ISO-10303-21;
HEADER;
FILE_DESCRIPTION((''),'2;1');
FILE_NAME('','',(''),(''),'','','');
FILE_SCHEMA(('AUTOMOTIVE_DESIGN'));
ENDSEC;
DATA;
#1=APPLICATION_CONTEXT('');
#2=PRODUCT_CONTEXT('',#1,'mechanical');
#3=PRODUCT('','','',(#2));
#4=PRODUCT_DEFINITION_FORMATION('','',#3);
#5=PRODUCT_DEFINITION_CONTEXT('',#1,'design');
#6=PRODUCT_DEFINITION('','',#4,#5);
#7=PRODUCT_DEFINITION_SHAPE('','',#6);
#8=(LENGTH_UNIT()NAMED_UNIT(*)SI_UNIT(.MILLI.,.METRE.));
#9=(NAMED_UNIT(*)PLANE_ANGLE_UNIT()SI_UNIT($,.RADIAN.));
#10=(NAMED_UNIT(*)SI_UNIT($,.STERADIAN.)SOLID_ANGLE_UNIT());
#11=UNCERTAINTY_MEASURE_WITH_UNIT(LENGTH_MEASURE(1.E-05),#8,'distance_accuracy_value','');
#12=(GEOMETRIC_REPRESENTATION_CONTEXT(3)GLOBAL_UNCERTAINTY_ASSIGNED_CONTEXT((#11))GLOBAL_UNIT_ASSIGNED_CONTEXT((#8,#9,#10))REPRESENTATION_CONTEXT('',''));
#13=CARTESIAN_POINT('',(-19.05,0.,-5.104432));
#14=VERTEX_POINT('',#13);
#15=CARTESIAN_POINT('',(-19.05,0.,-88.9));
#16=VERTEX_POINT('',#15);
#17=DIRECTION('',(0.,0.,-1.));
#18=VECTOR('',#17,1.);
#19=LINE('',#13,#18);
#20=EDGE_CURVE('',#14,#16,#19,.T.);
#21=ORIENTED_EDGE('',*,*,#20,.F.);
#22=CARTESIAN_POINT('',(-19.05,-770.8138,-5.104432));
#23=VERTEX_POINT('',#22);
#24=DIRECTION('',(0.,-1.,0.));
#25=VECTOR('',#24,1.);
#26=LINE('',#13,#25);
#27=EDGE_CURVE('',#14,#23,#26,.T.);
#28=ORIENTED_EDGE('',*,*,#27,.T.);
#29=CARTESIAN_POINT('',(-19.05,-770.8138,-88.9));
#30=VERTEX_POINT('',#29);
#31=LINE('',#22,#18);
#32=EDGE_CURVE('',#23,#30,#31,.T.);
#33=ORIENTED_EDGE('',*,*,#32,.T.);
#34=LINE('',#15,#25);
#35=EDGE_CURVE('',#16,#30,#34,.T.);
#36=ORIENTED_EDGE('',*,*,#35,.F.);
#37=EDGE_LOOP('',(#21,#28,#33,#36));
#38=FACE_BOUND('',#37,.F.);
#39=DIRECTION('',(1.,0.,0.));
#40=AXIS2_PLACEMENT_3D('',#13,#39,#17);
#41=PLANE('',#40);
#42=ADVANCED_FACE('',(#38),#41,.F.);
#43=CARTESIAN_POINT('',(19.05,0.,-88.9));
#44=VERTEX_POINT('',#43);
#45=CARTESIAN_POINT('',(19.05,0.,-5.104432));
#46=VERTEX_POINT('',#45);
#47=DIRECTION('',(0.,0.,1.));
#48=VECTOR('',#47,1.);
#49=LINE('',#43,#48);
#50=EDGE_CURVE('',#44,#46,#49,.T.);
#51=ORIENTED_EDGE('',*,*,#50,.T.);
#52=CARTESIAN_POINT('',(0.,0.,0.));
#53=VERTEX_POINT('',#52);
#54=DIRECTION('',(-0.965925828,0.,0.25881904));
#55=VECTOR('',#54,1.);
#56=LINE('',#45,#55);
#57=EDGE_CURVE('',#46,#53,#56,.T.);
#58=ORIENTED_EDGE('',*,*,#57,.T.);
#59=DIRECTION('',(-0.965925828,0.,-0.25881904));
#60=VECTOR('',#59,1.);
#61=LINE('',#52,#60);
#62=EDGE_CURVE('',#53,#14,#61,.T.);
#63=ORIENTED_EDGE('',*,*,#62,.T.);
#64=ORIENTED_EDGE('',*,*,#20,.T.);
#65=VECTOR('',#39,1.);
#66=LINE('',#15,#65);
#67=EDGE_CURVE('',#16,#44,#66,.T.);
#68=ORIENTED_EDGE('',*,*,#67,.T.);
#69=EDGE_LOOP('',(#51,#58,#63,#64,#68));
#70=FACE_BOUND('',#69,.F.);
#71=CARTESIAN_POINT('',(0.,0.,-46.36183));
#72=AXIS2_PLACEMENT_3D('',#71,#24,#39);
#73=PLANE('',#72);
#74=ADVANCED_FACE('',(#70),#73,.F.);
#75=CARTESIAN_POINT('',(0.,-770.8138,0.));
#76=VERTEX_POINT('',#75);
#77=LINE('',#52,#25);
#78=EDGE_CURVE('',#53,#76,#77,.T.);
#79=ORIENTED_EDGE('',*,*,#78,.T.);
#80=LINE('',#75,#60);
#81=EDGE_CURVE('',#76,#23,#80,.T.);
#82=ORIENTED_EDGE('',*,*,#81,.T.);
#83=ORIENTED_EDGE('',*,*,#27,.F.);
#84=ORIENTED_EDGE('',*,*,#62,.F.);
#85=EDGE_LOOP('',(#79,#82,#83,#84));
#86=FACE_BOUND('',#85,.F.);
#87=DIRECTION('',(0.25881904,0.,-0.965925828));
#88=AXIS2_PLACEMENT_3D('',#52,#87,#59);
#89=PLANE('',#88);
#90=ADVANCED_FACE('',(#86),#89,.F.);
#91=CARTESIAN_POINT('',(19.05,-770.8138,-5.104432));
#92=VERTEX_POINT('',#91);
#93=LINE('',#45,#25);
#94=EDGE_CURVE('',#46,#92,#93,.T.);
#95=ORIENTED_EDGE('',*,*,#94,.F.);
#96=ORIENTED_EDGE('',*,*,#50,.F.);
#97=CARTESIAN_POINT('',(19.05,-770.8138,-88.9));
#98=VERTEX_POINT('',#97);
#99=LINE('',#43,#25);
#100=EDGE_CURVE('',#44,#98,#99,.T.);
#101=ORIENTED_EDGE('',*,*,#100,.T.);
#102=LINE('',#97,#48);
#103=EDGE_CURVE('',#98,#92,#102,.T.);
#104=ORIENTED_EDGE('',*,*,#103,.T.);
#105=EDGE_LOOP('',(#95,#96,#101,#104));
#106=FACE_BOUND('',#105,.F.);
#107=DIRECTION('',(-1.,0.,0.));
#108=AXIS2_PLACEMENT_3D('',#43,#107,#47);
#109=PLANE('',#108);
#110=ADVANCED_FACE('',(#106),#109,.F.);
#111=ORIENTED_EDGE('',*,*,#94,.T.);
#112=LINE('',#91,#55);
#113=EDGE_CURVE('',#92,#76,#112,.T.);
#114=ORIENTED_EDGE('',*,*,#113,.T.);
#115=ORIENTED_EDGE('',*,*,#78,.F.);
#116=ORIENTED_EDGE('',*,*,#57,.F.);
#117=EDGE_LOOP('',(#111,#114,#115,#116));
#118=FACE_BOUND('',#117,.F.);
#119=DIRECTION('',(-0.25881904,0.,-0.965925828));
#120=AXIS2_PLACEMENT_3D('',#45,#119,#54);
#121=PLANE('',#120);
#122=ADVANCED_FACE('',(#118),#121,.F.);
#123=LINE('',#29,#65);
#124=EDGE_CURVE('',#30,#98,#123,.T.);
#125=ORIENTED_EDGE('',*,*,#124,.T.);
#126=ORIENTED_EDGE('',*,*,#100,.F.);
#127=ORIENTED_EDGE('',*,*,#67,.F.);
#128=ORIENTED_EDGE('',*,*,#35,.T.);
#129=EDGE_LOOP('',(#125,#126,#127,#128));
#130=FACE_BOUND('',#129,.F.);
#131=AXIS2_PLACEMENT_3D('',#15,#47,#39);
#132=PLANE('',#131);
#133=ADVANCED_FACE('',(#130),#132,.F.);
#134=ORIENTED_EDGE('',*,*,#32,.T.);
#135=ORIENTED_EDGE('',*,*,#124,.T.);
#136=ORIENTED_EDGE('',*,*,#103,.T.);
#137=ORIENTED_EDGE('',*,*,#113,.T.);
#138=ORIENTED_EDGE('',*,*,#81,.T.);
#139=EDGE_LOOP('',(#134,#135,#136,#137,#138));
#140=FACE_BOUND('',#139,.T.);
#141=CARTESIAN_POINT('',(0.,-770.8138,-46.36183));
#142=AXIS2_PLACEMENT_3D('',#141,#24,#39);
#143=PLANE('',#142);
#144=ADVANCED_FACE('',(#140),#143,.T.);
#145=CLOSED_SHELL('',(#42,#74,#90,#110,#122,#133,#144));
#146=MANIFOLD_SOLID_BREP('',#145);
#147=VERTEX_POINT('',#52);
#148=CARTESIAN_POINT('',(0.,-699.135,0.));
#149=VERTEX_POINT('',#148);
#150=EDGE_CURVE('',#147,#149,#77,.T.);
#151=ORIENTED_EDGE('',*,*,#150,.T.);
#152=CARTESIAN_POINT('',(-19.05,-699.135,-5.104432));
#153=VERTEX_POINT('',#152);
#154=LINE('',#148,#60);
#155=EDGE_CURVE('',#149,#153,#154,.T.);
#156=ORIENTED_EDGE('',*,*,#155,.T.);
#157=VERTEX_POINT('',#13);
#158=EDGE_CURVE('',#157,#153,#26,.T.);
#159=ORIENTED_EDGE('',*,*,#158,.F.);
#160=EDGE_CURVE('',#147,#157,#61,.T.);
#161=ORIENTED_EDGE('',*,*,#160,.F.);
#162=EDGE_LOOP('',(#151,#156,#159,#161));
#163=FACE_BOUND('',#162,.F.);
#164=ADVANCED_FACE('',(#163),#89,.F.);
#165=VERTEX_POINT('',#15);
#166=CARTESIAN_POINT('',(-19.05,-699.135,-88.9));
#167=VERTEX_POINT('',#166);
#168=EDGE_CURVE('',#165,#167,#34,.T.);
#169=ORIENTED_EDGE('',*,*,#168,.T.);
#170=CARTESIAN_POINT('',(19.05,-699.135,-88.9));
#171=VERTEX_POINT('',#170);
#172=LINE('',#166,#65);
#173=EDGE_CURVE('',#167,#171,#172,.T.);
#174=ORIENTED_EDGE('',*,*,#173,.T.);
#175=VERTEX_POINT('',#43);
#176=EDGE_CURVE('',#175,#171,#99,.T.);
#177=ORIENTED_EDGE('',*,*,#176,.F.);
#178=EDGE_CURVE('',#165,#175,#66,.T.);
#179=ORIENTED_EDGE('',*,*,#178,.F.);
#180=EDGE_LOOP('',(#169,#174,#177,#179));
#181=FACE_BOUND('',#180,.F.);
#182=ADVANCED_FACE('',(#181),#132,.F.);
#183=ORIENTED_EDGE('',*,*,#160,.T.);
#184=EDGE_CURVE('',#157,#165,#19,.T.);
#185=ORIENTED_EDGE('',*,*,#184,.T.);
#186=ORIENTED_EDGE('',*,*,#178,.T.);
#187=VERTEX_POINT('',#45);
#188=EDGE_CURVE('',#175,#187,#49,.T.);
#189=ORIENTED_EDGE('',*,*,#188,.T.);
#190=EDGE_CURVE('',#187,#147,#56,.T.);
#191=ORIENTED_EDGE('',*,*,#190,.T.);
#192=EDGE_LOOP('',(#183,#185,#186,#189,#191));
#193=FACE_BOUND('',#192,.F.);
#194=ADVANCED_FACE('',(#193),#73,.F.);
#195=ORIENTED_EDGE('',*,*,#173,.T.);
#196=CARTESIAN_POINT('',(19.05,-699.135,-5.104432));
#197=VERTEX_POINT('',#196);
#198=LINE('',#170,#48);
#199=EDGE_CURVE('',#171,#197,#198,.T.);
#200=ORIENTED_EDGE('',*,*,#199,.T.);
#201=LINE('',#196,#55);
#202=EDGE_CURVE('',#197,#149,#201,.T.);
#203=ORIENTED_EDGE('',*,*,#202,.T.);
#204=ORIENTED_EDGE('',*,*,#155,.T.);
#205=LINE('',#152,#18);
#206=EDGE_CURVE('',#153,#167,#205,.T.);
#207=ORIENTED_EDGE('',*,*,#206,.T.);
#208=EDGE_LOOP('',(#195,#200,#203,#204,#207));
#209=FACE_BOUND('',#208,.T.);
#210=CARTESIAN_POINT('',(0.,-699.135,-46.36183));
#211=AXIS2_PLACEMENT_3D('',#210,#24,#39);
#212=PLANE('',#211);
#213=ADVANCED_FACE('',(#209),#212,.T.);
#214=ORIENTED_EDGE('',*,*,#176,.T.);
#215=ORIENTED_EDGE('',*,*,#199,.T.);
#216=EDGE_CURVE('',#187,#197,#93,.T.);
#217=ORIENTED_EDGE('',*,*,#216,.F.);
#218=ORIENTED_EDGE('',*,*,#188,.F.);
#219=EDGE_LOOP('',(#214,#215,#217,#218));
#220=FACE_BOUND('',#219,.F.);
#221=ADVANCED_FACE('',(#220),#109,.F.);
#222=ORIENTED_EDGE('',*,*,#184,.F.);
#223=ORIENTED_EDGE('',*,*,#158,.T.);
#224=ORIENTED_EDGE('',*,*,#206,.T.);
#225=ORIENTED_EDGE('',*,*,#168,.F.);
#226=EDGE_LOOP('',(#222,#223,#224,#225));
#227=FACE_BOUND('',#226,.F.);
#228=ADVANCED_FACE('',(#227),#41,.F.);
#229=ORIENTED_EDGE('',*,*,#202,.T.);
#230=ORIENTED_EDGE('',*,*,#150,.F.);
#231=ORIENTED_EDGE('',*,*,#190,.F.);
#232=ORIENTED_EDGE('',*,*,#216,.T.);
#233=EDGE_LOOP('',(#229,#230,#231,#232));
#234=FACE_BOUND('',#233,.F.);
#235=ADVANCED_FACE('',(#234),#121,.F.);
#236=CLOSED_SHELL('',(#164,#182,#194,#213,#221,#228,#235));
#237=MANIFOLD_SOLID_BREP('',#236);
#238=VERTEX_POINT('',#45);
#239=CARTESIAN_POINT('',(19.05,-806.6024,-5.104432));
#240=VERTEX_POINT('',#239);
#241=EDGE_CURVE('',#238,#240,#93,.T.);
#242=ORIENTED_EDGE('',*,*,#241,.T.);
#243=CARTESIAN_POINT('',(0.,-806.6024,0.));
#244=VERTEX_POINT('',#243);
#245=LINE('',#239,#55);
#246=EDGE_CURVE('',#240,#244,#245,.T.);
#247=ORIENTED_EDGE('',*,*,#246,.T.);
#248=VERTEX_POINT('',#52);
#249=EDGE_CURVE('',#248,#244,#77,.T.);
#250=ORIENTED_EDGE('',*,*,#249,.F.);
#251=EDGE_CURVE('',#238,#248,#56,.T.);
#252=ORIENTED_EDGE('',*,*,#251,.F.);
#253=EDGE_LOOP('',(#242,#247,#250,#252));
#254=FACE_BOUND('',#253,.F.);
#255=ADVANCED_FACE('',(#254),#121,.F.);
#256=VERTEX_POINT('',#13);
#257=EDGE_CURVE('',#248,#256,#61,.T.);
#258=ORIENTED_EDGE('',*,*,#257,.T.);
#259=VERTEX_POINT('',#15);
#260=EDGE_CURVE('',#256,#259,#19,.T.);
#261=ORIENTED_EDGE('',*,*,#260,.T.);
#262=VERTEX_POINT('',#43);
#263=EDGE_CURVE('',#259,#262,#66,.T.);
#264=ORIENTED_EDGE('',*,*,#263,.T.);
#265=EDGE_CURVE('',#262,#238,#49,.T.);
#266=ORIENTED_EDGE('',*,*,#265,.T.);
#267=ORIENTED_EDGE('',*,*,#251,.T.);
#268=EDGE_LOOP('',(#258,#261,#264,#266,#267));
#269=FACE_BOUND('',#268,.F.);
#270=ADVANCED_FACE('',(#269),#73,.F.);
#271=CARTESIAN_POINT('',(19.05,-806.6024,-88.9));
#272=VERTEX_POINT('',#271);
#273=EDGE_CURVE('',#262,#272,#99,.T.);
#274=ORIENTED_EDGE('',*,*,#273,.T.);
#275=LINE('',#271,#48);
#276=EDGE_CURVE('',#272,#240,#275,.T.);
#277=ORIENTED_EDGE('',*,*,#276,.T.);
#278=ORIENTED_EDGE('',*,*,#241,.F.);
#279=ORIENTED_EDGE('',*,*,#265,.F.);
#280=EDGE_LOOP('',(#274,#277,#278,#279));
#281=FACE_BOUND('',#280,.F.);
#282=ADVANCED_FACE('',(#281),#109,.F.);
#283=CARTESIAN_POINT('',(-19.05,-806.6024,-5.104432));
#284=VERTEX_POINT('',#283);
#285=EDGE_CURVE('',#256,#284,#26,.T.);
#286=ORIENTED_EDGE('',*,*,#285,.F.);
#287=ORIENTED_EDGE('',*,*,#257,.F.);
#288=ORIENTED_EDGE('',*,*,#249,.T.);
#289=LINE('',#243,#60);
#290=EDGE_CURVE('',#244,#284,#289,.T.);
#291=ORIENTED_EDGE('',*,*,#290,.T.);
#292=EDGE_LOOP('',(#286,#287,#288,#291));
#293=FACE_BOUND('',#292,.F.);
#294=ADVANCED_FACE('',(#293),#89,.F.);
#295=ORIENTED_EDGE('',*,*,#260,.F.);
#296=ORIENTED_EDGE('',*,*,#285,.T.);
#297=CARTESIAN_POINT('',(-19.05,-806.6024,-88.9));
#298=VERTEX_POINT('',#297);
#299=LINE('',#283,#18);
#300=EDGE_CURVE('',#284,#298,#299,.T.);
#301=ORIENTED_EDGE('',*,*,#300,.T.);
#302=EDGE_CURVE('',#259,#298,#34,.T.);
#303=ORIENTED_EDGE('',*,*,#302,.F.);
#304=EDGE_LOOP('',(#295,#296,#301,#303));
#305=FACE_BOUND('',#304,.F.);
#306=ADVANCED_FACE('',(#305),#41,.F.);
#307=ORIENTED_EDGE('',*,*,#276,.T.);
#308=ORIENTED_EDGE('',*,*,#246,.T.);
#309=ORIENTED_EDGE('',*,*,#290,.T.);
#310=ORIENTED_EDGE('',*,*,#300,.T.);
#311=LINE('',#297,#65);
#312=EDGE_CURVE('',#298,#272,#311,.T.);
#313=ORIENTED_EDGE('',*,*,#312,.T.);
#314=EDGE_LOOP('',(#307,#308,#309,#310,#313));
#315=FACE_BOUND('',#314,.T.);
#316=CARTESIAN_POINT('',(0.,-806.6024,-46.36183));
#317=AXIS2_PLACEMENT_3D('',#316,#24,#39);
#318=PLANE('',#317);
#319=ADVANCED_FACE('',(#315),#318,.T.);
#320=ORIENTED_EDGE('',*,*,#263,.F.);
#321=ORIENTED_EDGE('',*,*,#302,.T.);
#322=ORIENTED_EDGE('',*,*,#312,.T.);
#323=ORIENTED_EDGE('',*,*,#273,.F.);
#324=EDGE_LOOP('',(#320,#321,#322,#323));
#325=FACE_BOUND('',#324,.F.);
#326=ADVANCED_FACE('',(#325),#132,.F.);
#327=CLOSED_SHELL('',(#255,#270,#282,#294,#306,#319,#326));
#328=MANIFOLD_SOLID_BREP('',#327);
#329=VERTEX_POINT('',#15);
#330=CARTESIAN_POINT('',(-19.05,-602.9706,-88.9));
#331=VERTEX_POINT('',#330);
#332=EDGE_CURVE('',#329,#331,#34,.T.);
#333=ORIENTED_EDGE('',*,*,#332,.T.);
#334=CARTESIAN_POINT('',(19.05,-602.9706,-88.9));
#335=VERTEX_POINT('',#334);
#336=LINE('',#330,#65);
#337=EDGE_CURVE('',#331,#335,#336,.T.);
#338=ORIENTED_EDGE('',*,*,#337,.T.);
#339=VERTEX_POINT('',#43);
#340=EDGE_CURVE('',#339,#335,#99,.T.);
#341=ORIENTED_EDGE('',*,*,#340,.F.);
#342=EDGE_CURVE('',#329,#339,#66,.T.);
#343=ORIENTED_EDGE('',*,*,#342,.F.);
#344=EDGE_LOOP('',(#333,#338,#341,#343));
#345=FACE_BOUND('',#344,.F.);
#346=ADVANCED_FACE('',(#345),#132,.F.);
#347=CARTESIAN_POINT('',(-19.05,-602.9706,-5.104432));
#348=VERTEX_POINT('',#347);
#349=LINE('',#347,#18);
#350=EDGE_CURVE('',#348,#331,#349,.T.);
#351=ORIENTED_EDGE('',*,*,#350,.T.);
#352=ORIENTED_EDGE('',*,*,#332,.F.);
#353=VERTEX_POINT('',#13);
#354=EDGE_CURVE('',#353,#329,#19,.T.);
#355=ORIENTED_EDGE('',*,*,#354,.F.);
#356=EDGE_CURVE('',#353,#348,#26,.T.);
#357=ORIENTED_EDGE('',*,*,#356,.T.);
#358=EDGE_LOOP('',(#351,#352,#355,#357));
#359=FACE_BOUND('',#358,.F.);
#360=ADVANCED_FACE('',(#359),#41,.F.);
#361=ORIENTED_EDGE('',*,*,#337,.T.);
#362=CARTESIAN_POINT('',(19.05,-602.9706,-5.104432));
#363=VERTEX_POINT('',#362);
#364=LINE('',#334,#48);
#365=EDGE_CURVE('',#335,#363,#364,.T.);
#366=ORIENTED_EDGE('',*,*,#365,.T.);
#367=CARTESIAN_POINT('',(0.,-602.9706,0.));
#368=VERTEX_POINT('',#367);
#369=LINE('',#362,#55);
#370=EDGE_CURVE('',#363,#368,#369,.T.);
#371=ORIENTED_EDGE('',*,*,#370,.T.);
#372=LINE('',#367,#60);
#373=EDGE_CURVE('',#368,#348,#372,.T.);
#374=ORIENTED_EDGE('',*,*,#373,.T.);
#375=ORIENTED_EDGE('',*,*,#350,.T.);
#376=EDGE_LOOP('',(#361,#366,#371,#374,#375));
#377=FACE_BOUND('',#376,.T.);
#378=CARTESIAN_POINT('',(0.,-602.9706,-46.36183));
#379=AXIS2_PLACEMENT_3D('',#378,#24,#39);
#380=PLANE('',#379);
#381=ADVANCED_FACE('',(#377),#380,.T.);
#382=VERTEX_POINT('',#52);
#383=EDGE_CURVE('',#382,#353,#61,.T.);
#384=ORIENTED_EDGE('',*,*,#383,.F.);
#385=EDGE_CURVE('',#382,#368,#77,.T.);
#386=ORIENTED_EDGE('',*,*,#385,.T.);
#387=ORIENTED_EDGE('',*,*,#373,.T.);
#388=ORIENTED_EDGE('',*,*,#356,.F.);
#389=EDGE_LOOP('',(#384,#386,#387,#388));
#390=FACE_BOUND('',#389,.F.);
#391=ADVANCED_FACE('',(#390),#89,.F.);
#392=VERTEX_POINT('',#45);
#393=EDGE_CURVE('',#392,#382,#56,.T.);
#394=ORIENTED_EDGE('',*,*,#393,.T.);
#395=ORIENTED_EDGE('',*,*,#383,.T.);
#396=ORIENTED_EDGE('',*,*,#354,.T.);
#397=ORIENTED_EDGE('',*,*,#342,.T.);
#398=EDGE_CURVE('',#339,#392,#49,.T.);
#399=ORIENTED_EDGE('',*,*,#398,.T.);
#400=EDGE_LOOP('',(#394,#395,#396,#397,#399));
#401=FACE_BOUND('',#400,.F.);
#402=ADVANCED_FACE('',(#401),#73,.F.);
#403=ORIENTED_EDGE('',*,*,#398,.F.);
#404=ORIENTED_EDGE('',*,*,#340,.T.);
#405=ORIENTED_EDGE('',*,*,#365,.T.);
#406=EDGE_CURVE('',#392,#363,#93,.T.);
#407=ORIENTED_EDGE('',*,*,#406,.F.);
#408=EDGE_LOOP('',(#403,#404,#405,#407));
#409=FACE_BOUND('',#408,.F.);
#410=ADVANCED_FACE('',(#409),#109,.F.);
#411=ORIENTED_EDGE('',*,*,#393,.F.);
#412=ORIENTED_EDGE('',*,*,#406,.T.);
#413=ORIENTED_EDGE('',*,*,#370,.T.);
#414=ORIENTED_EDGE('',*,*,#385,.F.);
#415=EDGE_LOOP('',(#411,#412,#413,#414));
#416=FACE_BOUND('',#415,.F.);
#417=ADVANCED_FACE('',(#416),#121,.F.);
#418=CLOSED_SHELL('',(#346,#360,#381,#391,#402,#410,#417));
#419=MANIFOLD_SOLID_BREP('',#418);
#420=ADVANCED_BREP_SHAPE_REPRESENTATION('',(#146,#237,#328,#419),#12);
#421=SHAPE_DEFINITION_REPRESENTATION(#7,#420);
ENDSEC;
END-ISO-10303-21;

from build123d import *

# Parameters (mm, degrees)
F1_DEPTH = 602.9706
F2_DEPTH = 699.135
F3_DEPTH = 770.8138
F4_DEPTH = 806.6024


with BuildPart() as f1:
    # F0 (on Front) → F1 (new body)
    with BuildSketch(Plane.XZ):
        Polygon((19.05, -5.104432), (0, 0), (-19.05, -5.104432), (-19.05, -88.9), (19.05, -88.9), align=None)
    extrude(amount=F1_DEPTH)


with BuildPart() as f2:
    # F0 (on Front) → F2 (new body)
    with BuildSketch(Plane.XZ):
        Polygon((19.05, -5.104432), (0, 0), (-19.05, -5.104432), (-19.05, -88.9), (19.05, -88.9), align=None)
    extrude(amount=F2_DEPTH)


with BuildPart() as f3:
    # F0 (on Front) → F3 (new body)
    with BuildSketch(Plane.XZ):
        Polygon((19.05, -5.104432), (0, 0), (-19.05, -5.104432), (-19.05, -88.9), (19.05, -88.9), align=None)
    extrude(amount=F3_DEPTH)


with BuildPart() as f4:
    # F0 (on Front) → F4 (new body)
    with BuildSketch(Plane.XZ):
        Polygon((19.05, -5.104432), (0, 0), (-19.05, -5.104432), (-19.05, -88.9), (19.05, -88.9), align=None)
    extrude(amount=F4_DEPTH)


solid = Compound([f1.part, f2.part, f3.part, f4.part])
